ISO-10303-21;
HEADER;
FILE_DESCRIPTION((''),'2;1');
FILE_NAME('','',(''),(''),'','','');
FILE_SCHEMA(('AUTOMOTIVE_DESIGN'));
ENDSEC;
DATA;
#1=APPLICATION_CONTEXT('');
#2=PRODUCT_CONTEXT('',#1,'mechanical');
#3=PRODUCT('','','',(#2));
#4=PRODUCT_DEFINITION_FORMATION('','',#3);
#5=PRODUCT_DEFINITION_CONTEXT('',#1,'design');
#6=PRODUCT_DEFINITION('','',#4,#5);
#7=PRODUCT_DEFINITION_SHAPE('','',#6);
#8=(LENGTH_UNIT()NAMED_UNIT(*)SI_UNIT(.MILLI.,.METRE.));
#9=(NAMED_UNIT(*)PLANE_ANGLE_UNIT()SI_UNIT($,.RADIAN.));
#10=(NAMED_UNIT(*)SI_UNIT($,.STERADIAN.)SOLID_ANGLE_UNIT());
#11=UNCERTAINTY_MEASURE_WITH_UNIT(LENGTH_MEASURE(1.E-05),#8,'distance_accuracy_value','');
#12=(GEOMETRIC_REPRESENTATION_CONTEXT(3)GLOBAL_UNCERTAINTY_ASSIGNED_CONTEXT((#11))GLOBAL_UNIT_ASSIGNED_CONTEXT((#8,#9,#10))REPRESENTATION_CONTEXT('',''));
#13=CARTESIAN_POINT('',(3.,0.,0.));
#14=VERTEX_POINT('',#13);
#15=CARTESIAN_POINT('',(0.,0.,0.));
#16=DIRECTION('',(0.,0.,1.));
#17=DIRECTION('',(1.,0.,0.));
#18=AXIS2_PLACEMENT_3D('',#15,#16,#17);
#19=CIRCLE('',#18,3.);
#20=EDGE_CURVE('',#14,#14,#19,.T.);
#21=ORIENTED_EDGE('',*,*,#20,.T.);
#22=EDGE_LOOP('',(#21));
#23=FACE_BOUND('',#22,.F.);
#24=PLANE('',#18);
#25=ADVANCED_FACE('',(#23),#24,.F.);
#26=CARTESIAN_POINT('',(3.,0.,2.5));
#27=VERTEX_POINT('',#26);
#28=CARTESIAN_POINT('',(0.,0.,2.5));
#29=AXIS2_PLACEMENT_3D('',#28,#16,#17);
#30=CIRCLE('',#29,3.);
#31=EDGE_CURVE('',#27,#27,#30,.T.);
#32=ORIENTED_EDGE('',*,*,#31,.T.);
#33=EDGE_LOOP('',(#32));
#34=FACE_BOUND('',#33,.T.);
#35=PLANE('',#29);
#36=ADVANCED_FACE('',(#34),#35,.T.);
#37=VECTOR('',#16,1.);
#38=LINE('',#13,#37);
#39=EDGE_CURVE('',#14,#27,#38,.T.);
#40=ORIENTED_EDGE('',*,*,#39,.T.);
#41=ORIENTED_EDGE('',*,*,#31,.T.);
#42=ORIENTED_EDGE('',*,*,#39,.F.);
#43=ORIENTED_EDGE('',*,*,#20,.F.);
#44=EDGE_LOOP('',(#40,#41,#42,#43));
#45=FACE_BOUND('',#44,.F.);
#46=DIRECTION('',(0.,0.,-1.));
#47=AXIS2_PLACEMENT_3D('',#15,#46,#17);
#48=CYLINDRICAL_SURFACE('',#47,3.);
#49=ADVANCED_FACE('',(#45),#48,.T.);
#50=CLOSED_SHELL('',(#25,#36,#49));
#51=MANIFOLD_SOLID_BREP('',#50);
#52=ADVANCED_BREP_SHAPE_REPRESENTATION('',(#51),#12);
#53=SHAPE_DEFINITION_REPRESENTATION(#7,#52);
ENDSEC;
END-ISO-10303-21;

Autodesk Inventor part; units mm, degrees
ref_plane "YZ Plane" through (0, 0, 0) normal (1, 0, 0) x (0, 1, 0)
ref_plane "XZ Plane" through (0, 0, 0) normal (0, 1, 0) x (-1, 0, 0)
ref_plane "XY Plane" through (0, 0, 0) normal (0, 0, 1) x (1, 0, 0)
sketch "Skizze1" plane through (0, 0, 0) normal (0, 0, 1) x (1, 0, 0)
  circle A0 centre (0, 0) radius 3
  dimension "d0" = 6
extrude "Extrusion1" add sketch "Skizze1" along normal blind 2.5
properties part number "EncoderMagnet" material "Stahl, Kohlenstoff"
